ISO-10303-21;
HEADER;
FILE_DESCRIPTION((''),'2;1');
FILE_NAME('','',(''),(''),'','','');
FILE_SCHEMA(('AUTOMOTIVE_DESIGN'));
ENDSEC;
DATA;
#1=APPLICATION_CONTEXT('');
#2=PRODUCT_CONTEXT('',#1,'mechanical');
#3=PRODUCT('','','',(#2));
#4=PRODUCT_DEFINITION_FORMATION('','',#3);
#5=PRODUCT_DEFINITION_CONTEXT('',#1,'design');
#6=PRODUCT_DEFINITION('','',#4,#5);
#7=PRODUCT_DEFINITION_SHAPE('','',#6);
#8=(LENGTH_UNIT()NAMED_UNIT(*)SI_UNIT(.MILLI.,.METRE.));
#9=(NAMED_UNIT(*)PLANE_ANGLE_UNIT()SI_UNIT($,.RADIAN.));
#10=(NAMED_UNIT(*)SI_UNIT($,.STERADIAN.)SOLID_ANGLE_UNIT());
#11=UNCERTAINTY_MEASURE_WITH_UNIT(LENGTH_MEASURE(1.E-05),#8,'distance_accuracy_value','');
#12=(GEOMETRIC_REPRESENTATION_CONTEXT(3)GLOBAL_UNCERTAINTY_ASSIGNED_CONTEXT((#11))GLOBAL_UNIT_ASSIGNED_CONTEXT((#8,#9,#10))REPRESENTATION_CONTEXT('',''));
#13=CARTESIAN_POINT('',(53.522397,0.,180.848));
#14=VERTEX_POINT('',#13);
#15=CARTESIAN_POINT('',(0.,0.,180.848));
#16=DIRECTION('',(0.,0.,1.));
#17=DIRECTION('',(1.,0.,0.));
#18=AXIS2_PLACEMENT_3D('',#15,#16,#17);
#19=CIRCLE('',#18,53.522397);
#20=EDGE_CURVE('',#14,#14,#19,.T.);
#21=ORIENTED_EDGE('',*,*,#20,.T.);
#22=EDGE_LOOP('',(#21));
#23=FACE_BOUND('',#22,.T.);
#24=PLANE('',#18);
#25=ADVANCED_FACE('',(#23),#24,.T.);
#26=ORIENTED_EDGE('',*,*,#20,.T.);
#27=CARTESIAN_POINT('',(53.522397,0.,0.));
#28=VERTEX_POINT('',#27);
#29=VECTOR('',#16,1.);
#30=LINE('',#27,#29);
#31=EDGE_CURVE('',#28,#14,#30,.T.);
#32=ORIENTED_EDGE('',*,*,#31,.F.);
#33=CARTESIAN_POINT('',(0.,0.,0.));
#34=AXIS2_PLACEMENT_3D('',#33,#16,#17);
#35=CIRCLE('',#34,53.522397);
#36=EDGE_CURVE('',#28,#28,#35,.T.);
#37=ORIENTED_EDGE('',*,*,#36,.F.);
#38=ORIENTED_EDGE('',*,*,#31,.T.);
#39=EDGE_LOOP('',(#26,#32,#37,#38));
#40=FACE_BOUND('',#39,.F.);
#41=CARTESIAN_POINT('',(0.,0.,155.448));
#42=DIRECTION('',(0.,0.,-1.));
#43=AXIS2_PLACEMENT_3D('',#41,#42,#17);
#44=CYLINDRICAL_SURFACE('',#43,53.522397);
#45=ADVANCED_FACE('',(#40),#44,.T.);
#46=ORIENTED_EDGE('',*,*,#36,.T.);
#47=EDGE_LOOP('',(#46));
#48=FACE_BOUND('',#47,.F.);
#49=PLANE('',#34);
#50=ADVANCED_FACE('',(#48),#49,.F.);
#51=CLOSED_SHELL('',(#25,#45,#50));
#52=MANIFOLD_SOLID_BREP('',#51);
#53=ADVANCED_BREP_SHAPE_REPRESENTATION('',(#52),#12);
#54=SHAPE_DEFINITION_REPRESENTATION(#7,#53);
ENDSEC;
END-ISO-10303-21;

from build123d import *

# Parameters (mm, degrees)
F0_R     = 53.5223969486
F1_DEPTH = 113.03
F2_DEPTH = 42.418
F3_R     = 36.0053843075
F4_DEPTH = 25.4
F5_DEPTH = 25.4


with BuildPart() as f1:
    # F0 (on Top) → F1 (new body)
    with BuildSketch(Plane.XY):
        Circle(F0_R)
    extrude(amount=F1_DEPTH)

    # F2 (add): a face of the model
    f2_faces = [f1.faces().sort_by_distance(p)[0] for p in [
        (0, 0, 113.03),
    ]]
    extrude(f2_faces, amount=F2_DEPTH)

    # F3 (on face) → F4 (join)
    with BuildSketch(Plane.XY.offset(155.448)):
        Circle(F3_R)
    extrude(amount=F4_DEPTH)

    # F5 (add): a face of the model
    f5_faces = [f1.faces().sort_by_distance(p)[0] for p in [
        (-52.0085549555, 0, 155.448),
    ]]
    extrude(f5_faces, amount=F5_DEPTH)


solid = f1.part
